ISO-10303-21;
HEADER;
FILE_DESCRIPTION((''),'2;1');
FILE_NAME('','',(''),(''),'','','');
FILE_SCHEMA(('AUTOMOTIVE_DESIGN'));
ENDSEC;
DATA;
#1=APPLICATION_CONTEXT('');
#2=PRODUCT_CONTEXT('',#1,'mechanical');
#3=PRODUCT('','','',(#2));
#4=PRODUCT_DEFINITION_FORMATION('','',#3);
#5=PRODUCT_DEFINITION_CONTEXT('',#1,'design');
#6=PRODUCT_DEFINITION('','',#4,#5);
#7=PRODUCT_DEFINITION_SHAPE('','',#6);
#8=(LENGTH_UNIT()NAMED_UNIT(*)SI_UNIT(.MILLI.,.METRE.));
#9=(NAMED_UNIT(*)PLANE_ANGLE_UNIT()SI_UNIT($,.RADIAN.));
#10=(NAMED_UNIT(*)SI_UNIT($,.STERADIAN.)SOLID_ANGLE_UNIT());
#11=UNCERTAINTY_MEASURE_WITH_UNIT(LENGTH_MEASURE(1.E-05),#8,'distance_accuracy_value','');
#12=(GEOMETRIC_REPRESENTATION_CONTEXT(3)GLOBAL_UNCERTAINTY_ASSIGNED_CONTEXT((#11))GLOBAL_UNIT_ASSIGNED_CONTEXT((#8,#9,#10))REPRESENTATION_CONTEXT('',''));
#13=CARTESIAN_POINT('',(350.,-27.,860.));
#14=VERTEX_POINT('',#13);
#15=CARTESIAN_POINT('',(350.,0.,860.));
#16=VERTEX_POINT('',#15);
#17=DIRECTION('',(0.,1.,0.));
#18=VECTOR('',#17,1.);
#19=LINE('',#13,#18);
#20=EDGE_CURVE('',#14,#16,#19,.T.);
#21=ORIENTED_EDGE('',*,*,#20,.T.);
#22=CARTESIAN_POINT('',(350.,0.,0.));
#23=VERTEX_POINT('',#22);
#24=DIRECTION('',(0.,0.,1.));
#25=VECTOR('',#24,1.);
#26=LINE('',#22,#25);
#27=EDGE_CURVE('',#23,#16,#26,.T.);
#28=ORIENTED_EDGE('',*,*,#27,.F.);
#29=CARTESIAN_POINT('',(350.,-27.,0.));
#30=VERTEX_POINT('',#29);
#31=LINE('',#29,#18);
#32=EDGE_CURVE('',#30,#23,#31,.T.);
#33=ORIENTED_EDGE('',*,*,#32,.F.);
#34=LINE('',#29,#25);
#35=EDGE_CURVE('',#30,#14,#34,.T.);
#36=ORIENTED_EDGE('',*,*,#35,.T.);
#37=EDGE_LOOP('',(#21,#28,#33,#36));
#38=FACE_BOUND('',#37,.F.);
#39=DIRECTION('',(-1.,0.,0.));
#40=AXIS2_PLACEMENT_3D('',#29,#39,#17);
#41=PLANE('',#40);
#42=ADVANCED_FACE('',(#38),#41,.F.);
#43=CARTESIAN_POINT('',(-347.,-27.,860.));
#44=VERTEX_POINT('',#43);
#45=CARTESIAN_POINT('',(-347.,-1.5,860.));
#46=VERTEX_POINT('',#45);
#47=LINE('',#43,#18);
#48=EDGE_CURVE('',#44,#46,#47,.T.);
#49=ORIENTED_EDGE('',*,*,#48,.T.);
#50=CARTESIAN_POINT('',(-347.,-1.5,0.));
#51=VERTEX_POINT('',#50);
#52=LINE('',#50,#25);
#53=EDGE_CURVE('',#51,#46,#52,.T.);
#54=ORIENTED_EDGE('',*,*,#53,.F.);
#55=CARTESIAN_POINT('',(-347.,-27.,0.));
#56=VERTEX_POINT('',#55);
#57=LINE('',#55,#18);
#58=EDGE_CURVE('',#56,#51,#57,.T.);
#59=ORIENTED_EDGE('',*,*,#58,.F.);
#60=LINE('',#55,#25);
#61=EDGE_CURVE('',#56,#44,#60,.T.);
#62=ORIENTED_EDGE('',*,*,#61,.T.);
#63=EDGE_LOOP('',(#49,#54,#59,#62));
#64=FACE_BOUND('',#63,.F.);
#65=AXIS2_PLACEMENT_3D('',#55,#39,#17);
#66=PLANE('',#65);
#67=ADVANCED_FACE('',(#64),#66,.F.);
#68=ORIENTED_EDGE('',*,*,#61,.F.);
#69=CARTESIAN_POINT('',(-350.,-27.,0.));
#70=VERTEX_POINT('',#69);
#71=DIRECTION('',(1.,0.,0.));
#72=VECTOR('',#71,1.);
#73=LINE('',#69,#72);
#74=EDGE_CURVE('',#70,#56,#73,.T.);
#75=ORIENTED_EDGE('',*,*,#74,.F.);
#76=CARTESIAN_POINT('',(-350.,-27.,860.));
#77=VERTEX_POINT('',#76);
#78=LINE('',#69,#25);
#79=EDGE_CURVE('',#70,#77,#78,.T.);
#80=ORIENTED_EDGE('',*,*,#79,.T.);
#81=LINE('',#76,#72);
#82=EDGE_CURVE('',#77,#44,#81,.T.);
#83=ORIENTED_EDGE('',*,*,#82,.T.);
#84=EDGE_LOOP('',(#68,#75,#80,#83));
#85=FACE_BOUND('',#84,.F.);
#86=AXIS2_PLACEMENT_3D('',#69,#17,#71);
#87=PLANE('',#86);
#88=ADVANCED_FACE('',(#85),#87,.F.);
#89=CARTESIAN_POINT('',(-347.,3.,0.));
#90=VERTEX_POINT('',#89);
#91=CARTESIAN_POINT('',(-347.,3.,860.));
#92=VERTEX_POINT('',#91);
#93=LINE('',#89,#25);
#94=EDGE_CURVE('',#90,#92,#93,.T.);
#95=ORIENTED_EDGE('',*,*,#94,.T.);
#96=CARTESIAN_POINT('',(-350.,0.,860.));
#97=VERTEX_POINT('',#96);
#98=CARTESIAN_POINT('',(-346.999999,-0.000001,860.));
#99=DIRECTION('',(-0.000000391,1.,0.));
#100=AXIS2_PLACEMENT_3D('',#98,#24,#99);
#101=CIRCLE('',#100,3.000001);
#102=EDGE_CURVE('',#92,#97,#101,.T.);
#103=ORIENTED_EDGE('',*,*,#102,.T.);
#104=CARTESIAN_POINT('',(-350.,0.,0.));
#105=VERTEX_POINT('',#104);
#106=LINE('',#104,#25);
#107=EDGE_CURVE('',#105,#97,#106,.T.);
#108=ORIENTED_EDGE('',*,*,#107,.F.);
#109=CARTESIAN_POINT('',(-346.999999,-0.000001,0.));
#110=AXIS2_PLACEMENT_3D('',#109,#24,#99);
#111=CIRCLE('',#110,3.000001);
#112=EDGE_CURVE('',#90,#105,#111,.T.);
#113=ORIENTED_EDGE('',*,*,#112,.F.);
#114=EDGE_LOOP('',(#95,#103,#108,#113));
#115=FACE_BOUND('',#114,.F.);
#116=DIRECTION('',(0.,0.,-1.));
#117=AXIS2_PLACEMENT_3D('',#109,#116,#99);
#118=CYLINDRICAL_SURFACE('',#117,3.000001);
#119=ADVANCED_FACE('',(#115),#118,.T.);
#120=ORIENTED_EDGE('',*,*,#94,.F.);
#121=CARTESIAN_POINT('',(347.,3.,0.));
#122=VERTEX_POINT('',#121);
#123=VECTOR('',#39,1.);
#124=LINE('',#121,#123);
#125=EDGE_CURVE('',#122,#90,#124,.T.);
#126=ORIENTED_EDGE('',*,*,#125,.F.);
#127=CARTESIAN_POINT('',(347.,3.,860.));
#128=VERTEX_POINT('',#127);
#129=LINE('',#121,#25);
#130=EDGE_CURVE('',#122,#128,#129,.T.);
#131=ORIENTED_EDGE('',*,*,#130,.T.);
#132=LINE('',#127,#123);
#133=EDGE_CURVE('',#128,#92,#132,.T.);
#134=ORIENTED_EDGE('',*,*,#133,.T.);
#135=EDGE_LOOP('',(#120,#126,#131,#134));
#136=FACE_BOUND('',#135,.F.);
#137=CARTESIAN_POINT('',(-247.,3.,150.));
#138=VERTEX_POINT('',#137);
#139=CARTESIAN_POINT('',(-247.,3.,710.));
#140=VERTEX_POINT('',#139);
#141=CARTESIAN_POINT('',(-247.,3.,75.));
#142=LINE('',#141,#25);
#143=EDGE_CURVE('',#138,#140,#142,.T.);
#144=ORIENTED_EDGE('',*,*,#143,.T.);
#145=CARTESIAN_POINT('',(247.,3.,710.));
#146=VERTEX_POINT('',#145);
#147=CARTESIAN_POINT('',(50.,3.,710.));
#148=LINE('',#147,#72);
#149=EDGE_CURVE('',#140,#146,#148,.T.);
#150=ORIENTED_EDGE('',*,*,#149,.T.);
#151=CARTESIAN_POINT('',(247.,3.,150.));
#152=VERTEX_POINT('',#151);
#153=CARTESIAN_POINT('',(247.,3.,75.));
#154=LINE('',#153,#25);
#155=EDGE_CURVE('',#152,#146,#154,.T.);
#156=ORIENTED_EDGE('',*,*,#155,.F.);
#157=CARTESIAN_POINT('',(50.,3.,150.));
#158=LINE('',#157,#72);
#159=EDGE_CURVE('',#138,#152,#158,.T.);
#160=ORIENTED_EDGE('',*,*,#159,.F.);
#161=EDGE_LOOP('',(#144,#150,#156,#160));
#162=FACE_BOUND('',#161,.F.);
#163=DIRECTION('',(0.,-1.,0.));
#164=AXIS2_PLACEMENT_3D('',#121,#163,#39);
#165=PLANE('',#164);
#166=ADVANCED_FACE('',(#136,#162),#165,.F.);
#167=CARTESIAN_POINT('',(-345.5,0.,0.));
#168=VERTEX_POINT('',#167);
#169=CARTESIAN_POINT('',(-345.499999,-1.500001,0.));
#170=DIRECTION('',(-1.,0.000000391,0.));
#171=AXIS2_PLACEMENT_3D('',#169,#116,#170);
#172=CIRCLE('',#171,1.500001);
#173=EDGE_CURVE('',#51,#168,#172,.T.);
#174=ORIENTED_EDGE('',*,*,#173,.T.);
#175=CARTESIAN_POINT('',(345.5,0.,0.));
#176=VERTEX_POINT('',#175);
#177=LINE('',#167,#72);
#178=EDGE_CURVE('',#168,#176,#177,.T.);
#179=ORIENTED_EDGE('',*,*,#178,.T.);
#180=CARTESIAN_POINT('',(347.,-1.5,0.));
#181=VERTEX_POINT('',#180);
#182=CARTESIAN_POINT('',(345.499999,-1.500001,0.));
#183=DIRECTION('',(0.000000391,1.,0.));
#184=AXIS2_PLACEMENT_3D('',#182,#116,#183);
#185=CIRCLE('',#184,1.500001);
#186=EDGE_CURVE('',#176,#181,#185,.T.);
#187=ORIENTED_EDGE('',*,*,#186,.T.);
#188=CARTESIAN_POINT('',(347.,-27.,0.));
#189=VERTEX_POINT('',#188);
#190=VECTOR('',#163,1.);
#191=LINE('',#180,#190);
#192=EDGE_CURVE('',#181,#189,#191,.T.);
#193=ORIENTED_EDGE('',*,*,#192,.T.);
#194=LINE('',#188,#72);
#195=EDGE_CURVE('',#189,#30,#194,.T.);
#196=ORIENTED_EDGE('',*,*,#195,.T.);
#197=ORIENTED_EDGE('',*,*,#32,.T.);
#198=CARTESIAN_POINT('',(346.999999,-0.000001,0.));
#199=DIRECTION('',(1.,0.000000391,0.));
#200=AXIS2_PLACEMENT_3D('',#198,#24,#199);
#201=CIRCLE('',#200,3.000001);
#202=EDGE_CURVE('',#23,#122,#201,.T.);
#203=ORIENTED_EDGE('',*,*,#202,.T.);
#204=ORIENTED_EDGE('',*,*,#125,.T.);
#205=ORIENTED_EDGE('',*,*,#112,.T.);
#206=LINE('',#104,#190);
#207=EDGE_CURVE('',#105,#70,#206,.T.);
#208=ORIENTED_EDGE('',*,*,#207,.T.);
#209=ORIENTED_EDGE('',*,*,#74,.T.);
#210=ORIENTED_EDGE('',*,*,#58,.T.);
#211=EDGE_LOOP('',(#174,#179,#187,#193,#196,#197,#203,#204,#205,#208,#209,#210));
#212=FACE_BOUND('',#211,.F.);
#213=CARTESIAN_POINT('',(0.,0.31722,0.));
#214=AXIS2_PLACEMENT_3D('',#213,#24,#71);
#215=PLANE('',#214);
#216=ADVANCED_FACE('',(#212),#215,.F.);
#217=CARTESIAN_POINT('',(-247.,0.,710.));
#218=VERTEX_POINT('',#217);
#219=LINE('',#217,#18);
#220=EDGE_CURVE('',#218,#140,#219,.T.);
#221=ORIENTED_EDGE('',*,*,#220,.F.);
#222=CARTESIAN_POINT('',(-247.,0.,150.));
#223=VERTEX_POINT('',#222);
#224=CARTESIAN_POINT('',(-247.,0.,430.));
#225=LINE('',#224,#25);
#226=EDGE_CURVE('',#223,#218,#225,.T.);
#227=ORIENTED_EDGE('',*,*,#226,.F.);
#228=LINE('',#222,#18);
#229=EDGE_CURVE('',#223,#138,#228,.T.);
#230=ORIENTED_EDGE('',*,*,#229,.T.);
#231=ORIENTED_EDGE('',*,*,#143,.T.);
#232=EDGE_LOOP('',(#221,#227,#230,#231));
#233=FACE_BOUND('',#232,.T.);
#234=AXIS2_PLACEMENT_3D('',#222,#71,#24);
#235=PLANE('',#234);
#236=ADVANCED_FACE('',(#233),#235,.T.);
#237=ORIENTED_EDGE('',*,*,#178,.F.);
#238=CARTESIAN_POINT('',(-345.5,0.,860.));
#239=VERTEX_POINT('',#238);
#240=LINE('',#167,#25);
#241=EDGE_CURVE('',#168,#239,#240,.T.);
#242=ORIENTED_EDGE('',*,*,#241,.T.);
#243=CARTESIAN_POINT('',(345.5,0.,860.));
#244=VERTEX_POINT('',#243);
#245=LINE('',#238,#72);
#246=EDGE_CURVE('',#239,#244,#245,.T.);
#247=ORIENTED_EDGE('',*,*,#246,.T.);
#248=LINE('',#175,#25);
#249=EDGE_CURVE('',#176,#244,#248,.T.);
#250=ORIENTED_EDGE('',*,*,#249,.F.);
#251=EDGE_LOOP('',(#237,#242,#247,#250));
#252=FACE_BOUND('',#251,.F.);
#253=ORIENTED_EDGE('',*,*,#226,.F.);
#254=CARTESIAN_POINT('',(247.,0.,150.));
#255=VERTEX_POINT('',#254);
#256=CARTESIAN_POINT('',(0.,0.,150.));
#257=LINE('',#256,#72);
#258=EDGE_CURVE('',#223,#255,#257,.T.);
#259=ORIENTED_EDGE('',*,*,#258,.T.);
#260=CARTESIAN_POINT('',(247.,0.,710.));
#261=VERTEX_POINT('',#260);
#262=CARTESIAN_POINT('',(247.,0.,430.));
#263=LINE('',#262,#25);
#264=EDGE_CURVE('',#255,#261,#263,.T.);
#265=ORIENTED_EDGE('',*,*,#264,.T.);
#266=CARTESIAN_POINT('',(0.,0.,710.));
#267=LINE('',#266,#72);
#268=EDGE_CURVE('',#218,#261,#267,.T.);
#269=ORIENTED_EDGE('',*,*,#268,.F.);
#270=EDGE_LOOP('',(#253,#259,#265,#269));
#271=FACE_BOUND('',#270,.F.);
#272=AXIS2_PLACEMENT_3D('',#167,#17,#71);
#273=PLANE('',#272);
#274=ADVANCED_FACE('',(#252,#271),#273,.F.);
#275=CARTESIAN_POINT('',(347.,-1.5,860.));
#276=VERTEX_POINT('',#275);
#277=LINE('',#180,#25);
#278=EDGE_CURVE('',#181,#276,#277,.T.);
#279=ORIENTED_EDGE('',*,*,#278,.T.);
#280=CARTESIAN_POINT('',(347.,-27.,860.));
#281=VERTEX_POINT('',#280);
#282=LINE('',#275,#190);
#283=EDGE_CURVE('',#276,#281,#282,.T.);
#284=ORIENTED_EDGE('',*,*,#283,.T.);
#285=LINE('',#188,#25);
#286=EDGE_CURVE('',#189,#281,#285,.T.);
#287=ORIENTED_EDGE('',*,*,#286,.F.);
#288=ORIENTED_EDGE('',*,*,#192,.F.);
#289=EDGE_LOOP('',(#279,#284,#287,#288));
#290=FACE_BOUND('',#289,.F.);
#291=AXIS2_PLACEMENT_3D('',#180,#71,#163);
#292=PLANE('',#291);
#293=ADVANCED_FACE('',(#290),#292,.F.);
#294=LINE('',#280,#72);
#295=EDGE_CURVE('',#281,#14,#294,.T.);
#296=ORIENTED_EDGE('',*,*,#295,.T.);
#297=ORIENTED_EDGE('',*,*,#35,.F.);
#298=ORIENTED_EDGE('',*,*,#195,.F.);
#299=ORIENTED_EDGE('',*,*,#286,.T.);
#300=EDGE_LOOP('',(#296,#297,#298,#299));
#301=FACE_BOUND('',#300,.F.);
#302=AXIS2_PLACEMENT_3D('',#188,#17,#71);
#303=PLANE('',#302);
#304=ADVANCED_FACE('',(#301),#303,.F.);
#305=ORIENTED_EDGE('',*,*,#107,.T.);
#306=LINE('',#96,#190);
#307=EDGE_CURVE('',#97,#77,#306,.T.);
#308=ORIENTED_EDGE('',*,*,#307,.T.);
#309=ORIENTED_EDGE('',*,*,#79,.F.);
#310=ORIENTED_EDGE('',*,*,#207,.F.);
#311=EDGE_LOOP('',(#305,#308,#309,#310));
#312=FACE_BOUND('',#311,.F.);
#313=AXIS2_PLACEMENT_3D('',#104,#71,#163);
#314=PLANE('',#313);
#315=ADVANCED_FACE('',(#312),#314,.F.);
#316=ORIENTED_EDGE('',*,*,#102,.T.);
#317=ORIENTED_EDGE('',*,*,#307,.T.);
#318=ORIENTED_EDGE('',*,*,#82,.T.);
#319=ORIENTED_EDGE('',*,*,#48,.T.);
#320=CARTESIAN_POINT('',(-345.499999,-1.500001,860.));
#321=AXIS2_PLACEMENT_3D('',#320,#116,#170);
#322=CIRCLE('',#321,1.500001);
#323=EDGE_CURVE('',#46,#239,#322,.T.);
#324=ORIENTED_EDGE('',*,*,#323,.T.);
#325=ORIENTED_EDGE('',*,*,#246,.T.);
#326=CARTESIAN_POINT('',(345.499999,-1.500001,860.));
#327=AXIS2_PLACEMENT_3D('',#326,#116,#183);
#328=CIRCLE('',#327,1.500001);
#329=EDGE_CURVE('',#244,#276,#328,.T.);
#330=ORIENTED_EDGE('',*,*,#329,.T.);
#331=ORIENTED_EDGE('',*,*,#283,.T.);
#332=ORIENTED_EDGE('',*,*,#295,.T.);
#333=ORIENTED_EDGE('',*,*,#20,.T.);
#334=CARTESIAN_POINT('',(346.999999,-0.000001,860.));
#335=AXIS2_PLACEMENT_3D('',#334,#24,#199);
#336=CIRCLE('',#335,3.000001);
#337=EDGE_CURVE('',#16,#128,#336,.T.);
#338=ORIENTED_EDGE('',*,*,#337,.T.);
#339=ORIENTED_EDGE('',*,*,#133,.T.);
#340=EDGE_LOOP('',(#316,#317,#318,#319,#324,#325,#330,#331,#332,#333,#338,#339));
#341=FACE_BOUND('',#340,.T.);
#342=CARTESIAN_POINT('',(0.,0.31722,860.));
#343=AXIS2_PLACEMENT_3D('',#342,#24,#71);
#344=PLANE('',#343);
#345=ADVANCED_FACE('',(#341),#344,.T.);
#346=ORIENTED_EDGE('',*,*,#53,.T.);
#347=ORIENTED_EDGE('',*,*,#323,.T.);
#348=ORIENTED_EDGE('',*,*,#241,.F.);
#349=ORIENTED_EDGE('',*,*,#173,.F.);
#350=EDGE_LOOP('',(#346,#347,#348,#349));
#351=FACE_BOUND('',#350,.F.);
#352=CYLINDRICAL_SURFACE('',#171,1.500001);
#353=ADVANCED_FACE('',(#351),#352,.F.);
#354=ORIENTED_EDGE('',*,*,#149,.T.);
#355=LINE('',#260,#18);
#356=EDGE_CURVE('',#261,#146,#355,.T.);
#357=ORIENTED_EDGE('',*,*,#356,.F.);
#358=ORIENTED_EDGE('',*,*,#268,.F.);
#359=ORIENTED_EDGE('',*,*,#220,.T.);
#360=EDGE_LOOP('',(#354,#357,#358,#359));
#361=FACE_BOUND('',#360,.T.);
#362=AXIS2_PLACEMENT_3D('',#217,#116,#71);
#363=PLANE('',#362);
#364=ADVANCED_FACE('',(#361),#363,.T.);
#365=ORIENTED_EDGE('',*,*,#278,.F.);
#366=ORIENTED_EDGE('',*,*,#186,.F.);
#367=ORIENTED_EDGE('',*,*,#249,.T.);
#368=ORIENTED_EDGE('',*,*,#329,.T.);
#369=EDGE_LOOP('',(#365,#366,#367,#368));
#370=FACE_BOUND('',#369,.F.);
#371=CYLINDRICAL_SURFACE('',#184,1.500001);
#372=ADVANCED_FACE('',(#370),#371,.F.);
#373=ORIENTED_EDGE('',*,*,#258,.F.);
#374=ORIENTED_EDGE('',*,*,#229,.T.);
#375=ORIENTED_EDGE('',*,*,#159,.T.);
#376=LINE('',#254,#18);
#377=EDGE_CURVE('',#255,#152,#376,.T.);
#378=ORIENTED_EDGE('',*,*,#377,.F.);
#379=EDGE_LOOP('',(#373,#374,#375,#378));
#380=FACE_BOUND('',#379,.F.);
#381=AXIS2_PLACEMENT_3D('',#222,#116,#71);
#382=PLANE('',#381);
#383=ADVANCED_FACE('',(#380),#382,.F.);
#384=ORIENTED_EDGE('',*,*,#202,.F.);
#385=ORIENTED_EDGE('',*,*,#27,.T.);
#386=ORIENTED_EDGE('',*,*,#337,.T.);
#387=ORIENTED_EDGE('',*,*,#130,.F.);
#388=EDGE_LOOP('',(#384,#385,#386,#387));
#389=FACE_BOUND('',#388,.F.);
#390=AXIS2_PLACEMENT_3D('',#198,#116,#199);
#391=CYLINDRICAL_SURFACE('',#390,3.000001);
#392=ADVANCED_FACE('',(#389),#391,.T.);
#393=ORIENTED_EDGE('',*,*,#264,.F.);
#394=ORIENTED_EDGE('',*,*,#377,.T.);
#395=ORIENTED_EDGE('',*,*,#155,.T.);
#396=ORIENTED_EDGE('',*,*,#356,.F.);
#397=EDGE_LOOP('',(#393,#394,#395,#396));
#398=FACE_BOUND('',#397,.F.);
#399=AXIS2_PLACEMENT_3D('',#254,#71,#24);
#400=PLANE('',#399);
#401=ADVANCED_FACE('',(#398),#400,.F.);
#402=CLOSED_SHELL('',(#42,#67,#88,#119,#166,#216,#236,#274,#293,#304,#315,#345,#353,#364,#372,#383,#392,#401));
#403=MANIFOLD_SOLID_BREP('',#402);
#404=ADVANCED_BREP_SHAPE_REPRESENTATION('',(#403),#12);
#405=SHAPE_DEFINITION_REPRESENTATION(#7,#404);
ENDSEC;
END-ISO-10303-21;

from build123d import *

# Parameters (mm, degrees)
F1_DEPTH = 860
F2_W     = 494
F2_H     = 560
F3_DEPTH = 25


with BuildPart() as f1:
    # F0 (on Top) → F1 (new body)
    with BuildSketch(Plane.XY):
        with BuildLine():
            Line((347, 3), (0, 3))
            Line((0, 3), (-347, 3))
            ThreePointArc((-347, 3), (-349.12132, 2.12132), (-350, 0))
            Line((-350, 0), (-350, -27))
            Line((-350, -27), (-347, -27))
            Line((-347, -27), (-347, -1.5))
            ThreePointArc((-347, -1.5), (-346.56066, -0.43934), (-345.5, 0))
            Line((-345.5, 0), (345.5, 0))
            ThreePointArc((345.5, 0), (346.56066, -0.43934), (347, -1.5))
            Line((347, -1.5), (347, -27))
            Line((347, -27), (350, -27))
            Line((350, -27), (350, 0))
            ThreePointArc((350, 0), (349.12132, 2.12132), (347, 3))
        make_face()
    extrude(amount=F1_DEPTH)

    # F2 (on face) → F3 (cut)
    with BuildSketch(Plane.XZ):
        with Locations((0, 430)):
            Rectangle(F2_W, F2_H)
    extrude(amount=-F3_DEPTH, mode=Mode.SUBTRACT)


solid = f1.part
